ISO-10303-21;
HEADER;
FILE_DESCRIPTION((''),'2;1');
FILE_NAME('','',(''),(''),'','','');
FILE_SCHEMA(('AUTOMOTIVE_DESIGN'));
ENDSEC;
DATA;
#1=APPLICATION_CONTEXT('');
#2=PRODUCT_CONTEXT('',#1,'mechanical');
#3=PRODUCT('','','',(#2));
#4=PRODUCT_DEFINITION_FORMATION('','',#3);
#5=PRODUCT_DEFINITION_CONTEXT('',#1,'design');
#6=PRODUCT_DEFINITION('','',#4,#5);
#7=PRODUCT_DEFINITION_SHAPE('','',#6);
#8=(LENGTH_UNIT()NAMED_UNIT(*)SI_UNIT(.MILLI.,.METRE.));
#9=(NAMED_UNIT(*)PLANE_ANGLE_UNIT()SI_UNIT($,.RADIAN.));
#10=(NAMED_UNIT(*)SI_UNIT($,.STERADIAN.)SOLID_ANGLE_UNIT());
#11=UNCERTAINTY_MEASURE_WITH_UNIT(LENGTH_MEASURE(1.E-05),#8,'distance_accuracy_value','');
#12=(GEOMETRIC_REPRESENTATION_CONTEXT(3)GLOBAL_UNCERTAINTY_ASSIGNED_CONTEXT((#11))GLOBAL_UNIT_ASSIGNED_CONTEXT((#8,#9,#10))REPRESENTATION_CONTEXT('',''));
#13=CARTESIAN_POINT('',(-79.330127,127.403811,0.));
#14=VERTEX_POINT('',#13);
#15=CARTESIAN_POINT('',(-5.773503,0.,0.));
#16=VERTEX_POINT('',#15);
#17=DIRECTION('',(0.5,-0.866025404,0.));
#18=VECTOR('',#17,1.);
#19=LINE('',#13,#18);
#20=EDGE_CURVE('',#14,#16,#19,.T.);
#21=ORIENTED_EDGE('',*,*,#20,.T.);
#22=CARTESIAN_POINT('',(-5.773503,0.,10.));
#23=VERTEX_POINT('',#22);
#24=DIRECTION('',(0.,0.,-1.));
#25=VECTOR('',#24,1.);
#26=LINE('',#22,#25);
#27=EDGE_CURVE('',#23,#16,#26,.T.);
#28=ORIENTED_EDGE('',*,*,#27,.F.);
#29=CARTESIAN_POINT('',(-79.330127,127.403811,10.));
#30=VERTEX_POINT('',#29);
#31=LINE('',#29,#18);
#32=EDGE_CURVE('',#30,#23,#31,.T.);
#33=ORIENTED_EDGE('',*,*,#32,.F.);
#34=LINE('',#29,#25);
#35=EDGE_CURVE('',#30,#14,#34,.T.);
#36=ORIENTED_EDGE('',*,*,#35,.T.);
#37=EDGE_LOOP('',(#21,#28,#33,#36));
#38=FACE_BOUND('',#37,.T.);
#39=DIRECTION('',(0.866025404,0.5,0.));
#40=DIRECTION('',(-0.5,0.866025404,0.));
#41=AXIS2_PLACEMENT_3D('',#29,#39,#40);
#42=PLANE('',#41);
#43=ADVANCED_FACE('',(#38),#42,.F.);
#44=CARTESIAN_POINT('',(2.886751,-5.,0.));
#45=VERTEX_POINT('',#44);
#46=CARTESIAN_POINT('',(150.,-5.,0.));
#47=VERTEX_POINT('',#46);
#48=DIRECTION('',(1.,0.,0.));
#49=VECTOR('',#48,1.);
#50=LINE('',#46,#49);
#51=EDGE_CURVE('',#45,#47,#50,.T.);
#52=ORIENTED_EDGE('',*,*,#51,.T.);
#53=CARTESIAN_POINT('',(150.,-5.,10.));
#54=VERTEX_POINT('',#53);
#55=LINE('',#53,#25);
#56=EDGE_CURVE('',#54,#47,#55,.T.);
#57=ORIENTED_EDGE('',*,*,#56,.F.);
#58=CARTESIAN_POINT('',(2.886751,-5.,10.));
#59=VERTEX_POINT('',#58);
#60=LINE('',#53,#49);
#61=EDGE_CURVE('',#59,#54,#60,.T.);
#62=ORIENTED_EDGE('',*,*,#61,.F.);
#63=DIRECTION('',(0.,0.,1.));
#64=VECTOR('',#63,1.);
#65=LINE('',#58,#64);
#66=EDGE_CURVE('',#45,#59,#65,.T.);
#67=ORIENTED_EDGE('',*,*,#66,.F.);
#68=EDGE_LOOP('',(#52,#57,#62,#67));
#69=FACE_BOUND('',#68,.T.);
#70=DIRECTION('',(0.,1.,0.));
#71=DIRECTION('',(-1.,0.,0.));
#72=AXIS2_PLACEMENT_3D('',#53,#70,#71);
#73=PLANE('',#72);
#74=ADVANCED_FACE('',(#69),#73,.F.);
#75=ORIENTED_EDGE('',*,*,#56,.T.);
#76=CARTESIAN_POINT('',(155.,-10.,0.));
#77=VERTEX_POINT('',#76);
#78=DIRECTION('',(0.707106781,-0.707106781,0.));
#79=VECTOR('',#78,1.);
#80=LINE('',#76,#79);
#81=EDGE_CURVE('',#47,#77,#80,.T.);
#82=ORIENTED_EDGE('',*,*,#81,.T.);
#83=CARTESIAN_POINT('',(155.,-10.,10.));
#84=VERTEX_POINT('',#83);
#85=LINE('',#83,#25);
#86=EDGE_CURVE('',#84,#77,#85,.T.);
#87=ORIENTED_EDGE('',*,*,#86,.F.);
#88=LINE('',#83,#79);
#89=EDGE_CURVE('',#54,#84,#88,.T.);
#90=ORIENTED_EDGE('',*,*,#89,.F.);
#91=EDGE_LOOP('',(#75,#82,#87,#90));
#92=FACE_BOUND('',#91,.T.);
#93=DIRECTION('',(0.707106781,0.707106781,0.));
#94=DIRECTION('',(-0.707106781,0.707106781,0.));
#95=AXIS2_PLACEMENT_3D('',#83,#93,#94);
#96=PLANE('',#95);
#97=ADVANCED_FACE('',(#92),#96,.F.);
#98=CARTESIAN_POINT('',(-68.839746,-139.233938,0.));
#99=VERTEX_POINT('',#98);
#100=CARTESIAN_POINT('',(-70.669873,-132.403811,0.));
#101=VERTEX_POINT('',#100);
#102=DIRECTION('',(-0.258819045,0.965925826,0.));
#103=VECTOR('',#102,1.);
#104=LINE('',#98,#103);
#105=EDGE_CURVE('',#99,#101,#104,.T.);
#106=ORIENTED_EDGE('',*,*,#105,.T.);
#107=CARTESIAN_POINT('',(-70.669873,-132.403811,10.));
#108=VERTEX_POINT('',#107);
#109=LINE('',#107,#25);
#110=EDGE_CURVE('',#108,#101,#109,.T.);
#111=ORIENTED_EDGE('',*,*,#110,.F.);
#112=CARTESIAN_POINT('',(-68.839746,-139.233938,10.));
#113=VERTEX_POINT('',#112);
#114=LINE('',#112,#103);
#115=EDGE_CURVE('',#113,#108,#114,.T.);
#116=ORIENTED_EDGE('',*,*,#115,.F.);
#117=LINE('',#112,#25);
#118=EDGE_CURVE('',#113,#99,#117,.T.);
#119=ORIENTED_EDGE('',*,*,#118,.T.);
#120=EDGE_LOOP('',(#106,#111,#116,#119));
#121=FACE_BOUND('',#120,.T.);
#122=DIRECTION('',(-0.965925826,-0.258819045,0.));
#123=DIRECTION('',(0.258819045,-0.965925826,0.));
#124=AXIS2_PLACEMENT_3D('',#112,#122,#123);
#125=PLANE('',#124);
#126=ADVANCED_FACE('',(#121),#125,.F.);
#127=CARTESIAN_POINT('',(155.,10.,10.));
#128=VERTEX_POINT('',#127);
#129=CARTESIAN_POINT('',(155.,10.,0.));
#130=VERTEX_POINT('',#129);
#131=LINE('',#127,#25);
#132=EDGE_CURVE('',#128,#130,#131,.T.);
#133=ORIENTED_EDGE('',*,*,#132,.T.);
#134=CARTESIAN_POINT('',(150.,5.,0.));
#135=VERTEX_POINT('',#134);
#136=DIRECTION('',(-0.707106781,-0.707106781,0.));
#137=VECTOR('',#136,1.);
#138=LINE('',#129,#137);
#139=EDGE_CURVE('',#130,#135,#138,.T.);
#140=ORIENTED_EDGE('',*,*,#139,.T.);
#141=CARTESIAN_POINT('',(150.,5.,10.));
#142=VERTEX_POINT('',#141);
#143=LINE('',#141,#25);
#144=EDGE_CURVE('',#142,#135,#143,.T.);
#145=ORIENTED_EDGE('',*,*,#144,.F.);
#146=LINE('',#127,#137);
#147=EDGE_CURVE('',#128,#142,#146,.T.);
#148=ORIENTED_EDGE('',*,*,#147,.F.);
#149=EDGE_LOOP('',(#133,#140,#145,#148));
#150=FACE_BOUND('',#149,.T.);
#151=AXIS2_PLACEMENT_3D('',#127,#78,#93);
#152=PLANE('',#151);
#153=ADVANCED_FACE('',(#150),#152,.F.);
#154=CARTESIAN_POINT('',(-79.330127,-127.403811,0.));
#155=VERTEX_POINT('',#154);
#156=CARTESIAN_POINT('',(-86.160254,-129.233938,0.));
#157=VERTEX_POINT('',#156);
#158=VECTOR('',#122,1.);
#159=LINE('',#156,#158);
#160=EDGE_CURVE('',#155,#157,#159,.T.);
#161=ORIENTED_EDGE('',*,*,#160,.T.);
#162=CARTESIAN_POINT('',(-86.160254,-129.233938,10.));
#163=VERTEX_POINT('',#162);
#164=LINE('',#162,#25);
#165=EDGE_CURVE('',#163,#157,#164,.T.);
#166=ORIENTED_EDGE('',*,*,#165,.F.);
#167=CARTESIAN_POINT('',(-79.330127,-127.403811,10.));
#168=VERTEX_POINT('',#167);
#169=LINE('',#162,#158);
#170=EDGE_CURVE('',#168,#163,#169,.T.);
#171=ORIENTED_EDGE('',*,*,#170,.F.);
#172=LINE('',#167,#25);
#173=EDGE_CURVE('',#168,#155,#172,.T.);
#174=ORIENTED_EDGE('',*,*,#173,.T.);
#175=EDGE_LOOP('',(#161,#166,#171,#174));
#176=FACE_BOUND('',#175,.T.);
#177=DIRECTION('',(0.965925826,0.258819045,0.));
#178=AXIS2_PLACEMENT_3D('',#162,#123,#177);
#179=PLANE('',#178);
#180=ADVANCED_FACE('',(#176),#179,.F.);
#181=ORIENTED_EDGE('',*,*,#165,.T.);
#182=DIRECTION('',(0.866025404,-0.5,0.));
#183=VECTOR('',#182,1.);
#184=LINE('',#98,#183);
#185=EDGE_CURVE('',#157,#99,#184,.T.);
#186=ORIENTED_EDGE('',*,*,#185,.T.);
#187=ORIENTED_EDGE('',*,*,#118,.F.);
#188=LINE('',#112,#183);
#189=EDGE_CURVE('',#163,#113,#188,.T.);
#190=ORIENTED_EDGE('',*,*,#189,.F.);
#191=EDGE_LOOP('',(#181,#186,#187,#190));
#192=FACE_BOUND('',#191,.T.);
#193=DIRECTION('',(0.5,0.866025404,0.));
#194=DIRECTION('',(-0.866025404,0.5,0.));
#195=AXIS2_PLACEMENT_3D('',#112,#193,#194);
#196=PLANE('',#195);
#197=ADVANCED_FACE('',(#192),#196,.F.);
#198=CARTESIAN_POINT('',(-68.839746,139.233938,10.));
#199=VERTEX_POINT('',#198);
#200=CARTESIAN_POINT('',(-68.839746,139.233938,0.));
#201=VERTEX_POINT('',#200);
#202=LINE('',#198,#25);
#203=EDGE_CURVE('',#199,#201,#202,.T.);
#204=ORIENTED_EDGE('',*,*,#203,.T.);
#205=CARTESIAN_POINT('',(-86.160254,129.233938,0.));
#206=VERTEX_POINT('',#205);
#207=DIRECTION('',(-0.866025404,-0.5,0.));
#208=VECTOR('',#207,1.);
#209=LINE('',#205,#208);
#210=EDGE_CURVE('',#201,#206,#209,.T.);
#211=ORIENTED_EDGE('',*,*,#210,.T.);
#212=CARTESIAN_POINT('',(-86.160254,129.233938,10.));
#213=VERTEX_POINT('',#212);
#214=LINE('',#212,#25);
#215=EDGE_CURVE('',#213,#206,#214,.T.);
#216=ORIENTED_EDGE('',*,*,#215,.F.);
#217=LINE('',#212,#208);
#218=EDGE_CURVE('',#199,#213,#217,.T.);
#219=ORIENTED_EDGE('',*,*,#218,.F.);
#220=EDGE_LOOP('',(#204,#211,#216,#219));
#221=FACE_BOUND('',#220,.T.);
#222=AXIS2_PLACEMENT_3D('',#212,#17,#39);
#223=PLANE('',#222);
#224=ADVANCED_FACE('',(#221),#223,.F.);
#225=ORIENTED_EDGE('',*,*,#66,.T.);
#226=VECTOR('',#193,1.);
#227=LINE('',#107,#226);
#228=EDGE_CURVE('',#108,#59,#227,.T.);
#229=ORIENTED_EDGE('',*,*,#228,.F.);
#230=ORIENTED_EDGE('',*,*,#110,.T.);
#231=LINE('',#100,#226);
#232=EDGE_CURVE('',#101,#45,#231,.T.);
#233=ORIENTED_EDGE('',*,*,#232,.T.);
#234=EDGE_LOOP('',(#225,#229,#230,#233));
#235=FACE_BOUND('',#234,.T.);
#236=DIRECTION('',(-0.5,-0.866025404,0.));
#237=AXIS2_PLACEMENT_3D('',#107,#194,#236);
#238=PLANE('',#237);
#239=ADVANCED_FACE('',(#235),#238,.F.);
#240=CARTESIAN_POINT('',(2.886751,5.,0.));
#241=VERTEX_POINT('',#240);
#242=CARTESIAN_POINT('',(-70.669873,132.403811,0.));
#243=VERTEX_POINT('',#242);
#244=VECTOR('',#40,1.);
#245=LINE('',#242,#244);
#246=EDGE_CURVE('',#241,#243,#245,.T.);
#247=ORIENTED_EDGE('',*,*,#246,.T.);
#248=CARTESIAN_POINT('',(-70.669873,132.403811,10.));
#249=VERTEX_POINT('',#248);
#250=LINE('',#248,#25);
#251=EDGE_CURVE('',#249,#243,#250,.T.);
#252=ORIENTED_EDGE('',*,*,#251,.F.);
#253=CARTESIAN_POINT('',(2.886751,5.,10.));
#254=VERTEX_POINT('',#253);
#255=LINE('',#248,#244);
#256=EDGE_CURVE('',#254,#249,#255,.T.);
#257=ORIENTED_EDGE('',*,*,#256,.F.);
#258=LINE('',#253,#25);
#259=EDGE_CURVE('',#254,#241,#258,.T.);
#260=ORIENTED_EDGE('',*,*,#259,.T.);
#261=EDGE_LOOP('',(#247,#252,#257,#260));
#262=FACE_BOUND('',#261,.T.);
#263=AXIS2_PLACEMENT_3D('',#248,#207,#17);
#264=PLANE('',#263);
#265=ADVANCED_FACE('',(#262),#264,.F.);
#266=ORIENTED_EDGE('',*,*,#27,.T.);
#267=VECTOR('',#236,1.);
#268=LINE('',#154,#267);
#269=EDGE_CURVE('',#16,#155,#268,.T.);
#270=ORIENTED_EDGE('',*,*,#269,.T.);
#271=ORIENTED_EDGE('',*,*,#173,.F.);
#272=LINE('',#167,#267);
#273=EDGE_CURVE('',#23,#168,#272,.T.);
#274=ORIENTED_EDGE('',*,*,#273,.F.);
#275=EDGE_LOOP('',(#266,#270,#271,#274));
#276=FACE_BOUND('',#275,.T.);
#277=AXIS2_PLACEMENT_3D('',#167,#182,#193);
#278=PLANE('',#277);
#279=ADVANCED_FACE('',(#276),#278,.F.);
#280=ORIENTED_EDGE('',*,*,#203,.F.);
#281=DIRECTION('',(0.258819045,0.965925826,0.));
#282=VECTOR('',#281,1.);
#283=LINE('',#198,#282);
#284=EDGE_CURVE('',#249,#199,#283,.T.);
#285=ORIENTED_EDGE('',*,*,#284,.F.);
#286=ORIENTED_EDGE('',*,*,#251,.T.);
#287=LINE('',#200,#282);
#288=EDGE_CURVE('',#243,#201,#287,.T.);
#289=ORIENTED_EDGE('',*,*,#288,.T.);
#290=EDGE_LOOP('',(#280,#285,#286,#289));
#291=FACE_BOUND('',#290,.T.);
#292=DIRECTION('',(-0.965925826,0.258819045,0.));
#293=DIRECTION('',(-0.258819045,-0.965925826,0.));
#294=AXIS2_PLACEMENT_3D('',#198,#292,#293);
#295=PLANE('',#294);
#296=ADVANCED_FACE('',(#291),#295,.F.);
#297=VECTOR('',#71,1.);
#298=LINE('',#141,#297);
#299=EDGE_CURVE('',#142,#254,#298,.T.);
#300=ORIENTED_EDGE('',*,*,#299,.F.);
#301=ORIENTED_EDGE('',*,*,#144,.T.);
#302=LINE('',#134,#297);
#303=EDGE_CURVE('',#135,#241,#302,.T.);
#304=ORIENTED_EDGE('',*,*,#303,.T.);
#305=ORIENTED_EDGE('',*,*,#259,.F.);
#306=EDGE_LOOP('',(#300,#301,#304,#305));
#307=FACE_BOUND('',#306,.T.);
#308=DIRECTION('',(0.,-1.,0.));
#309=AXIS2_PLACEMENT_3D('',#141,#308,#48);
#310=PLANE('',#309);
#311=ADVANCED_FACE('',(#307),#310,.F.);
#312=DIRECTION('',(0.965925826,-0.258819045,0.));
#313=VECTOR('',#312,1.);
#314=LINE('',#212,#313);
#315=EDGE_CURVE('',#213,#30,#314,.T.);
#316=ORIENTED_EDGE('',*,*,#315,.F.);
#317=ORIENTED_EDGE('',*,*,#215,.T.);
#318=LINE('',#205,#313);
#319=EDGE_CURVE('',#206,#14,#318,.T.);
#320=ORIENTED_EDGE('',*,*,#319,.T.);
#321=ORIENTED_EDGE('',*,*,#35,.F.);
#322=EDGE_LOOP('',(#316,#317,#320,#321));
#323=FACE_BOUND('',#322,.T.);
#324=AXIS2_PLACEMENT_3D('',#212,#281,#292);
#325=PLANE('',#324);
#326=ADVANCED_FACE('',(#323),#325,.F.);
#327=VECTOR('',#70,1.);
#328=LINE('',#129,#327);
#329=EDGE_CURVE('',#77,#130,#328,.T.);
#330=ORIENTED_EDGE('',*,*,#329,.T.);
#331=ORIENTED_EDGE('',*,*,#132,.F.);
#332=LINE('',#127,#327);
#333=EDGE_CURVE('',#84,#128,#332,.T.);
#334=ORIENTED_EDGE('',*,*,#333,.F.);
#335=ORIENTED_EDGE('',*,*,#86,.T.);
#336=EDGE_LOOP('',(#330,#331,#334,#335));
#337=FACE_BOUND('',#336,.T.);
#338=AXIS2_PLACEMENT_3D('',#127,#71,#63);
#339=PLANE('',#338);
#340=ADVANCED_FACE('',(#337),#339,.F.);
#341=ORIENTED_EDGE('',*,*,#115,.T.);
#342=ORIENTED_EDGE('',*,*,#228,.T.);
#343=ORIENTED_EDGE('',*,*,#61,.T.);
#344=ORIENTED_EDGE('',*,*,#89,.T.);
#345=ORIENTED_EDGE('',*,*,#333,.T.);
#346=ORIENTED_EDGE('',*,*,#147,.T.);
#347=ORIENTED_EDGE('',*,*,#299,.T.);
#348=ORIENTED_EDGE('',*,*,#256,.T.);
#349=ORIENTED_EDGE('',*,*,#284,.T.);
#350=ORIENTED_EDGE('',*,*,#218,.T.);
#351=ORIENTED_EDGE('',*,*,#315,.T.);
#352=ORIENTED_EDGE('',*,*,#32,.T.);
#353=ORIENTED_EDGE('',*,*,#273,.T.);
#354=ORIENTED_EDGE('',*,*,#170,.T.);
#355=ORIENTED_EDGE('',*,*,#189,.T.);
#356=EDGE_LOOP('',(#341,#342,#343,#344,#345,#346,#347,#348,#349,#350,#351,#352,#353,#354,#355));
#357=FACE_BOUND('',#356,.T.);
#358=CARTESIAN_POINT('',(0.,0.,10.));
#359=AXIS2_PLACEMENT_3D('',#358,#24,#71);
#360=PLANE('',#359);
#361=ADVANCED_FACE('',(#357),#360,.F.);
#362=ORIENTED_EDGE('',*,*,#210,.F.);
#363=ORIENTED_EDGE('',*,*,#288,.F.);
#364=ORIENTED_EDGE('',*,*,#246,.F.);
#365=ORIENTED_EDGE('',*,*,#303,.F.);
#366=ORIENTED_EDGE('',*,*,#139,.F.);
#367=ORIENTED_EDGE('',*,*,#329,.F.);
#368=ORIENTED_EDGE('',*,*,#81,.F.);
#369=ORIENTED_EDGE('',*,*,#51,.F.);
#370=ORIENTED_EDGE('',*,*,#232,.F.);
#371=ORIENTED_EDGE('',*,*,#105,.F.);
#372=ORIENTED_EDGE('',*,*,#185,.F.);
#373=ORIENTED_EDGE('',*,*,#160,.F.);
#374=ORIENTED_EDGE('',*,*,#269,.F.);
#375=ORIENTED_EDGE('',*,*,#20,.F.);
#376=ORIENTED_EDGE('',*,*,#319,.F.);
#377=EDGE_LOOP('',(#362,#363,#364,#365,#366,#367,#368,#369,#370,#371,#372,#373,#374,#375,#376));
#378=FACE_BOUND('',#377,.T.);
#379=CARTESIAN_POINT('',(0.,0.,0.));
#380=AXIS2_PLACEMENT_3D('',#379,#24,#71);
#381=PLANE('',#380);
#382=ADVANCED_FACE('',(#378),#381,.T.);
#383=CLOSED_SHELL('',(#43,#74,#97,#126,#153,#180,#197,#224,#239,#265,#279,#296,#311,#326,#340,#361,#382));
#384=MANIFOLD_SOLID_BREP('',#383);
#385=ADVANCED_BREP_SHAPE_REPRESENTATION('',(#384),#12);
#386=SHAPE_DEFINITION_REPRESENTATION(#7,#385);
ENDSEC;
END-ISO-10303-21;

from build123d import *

# Parameters (mm, degrees)
BOSS_EXTRUDE1_DEPTH = 10
CIRPATTERN1_COUNT   = 3


with BuildPart() as part:
    # Sketch1 → Boss-Extrude1 (new body)
    with BuildSketch(Plane.XY):
        Polygon((155, 10), (150, 5), (0, 5), (0, -5), (150, -5), (155, -10), align=None)
    boss_extrude1 = extrude(amount=BOSS_EXTRUDE1_DEPTH)

    # CirPattern1: Boss-Extrude1 ×3 about axis
    cirpattern1_axis = Axis((0, 0, 0), (0, 0, 1))
    for i in range(1, CIRPATTERN1_COUNT):
        add(boss_extrude1.rotate(cirpattern1_axis, i * 360 / CIRPATTERN1_COUNT))


solid = part.part
